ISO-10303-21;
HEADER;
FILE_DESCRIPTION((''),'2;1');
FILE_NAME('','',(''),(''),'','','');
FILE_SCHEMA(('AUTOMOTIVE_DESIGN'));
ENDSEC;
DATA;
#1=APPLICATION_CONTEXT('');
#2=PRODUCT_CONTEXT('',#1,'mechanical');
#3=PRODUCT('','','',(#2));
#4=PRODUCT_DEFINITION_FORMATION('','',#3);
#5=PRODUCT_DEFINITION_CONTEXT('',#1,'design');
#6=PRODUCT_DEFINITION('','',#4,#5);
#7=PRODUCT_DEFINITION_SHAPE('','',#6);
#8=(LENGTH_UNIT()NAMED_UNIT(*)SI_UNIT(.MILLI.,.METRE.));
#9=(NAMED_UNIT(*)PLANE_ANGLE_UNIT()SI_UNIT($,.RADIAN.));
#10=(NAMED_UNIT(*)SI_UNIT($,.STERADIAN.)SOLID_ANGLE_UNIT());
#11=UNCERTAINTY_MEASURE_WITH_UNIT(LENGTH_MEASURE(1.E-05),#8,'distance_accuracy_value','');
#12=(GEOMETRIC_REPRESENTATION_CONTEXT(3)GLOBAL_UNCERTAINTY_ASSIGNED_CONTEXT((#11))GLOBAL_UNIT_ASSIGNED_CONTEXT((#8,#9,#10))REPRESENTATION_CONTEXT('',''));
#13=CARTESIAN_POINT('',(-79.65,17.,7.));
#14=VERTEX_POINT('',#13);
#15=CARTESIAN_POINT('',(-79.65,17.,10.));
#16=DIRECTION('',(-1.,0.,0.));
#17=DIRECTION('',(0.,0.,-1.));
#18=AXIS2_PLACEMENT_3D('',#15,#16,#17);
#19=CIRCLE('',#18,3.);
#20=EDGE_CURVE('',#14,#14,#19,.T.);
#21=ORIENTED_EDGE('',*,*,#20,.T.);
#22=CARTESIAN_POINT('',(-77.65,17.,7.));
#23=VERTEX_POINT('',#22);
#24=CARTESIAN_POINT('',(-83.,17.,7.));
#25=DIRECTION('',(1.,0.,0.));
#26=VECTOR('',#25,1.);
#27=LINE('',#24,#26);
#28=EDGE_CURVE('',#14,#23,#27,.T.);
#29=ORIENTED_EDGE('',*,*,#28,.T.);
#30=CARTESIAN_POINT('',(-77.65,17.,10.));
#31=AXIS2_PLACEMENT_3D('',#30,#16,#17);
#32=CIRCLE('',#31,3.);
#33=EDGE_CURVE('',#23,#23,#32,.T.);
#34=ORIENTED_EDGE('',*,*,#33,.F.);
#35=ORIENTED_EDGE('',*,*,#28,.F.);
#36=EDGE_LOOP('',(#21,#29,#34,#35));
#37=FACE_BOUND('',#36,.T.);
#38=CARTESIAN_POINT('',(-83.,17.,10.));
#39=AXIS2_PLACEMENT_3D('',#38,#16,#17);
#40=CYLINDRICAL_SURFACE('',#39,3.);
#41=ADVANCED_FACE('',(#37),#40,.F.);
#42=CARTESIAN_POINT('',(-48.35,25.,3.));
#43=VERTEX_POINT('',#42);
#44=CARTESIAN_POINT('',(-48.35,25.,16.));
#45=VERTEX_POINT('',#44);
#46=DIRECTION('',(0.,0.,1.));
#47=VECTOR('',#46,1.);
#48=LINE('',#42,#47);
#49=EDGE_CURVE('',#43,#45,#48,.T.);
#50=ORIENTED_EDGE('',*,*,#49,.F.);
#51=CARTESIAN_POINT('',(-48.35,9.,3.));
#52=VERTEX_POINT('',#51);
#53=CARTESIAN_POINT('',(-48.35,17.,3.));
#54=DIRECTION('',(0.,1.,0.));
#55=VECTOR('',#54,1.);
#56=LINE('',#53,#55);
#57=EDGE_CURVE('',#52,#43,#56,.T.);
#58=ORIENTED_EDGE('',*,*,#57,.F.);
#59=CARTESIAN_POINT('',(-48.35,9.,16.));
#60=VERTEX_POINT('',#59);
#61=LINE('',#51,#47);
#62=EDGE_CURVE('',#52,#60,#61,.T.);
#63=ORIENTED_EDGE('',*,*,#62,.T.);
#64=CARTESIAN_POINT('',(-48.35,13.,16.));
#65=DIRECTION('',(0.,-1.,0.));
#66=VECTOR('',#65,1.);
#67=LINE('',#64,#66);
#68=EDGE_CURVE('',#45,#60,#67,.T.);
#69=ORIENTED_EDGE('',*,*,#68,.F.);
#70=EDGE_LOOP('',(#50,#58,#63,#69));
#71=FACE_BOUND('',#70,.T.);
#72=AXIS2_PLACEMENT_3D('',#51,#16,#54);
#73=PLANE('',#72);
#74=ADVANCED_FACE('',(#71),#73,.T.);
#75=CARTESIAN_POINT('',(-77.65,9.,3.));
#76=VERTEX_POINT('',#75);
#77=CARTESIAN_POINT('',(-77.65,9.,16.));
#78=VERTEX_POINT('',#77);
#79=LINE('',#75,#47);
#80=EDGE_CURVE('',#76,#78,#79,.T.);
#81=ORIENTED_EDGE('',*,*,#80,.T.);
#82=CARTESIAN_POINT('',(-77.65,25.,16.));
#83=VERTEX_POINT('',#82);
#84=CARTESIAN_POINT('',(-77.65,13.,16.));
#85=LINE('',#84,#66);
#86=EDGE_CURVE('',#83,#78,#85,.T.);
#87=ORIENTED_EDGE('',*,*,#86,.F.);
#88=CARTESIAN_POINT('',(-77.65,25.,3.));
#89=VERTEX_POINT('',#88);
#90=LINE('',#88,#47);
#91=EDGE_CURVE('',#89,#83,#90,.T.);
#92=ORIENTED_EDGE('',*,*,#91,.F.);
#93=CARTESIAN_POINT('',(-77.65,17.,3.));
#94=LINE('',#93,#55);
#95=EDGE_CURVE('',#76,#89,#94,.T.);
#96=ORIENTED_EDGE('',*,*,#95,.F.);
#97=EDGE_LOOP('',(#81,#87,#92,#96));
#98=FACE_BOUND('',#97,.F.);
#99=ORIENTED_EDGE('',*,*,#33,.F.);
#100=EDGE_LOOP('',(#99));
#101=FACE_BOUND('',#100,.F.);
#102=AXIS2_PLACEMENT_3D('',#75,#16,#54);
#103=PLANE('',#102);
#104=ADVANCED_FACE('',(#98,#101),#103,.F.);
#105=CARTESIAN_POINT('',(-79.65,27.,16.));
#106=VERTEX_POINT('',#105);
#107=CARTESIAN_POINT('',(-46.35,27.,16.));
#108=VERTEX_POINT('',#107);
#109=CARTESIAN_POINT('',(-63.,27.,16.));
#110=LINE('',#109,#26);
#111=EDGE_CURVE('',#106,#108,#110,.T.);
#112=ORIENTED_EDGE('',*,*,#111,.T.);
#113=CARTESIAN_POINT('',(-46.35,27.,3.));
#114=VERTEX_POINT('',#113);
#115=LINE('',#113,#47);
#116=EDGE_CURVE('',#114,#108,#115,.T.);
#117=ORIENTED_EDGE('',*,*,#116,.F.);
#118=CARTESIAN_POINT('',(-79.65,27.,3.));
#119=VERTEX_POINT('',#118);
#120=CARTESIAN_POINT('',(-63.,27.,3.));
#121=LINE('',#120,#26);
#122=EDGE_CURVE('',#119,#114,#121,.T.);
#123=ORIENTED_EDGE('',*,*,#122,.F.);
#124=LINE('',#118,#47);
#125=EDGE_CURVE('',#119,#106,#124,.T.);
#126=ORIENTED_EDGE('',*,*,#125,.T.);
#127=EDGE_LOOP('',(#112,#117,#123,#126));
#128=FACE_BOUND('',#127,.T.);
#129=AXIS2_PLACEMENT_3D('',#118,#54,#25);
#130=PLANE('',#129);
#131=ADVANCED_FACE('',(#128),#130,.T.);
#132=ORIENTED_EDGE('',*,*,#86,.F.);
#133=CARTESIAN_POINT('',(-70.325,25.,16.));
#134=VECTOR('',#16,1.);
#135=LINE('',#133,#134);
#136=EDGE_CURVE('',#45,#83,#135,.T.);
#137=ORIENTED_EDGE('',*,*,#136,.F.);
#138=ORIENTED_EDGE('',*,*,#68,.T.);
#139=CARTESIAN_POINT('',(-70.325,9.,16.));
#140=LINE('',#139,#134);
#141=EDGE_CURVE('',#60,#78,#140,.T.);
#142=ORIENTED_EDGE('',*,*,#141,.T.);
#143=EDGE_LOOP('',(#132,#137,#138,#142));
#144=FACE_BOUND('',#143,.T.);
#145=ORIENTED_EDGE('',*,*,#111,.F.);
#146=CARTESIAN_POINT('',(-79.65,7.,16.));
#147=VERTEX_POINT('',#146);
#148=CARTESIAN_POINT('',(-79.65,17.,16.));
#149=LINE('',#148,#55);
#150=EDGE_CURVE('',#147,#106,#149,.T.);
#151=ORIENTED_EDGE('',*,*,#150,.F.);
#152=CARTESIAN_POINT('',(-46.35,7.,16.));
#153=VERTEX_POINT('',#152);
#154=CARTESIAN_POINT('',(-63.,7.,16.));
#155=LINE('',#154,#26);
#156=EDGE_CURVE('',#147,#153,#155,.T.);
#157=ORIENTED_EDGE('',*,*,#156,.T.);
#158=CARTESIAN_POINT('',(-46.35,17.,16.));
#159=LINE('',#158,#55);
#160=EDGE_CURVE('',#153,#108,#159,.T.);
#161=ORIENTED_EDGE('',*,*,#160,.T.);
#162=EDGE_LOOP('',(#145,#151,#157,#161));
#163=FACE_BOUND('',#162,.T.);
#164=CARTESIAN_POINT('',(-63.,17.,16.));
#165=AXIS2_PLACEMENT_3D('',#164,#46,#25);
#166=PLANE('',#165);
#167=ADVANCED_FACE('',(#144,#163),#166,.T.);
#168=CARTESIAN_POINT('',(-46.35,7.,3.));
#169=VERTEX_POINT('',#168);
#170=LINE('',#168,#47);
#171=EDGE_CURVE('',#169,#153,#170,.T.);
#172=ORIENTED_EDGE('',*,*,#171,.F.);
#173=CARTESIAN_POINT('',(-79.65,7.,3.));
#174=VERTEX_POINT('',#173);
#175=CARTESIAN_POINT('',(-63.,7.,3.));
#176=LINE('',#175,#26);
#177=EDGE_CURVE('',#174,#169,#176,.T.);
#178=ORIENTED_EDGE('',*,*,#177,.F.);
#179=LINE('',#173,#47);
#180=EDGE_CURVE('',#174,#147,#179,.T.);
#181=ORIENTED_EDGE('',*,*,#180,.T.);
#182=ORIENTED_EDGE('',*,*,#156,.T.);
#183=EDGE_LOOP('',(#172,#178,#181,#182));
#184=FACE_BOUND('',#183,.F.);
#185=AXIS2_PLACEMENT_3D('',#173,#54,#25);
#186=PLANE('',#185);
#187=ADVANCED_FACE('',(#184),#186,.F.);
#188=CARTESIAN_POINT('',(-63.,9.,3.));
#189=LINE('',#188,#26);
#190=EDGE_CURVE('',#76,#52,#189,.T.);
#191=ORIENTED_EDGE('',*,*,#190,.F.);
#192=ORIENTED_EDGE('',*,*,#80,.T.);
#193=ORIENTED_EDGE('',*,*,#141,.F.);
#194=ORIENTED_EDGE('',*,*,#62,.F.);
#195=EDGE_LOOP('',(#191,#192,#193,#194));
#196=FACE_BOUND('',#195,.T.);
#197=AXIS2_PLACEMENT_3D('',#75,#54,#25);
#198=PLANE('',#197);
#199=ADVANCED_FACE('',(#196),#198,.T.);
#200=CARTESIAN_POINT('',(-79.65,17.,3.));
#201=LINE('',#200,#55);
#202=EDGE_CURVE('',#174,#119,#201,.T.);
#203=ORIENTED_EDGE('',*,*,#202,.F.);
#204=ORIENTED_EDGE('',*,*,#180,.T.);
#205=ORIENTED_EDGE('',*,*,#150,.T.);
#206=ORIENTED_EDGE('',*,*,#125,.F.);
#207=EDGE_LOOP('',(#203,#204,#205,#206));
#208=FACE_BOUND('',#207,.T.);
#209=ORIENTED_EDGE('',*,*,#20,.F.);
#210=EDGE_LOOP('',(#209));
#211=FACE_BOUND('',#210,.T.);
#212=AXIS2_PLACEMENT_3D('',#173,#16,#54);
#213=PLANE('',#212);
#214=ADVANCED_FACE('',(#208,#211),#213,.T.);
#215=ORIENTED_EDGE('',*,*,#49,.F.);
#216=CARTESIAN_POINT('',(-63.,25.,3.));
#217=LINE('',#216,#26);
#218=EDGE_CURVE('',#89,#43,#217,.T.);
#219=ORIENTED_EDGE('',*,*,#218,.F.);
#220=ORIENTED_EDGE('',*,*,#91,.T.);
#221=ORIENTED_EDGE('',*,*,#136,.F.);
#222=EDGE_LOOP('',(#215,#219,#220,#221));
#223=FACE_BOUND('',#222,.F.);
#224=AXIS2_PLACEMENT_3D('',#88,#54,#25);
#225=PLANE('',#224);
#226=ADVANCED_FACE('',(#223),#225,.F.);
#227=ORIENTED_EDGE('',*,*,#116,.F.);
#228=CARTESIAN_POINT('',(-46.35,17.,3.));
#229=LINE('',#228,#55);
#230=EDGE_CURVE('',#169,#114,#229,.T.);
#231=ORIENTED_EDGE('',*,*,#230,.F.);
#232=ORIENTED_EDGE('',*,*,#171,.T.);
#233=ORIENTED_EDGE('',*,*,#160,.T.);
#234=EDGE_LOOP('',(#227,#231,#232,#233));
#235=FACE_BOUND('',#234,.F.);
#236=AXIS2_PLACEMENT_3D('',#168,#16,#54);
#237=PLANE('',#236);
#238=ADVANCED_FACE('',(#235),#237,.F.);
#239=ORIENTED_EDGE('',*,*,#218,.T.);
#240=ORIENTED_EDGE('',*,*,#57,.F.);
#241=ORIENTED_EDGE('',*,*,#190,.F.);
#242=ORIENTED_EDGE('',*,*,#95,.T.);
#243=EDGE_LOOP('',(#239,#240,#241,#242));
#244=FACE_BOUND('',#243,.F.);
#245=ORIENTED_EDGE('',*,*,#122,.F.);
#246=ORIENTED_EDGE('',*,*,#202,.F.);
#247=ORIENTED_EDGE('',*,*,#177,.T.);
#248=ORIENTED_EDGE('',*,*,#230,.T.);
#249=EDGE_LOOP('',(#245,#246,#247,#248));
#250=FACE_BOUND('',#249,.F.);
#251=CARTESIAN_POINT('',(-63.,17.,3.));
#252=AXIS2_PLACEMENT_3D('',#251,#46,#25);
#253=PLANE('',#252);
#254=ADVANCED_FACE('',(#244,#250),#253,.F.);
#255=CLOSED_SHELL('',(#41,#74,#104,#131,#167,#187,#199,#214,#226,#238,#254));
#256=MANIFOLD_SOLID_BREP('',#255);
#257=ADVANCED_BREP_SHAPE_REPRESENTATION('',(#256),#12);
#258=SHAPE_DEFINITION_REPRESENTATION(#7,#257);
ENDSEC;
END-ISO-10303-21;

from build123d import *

# Parameters (mm, degrees)
CYLINDER_R     = 3
CYLINDER_DEPTH = 10
SKETCH009_W    = 29.3
SKETCH009_H    = 16
PAD010_DEPTH   = 16
SKETCH010_W    = 33.3
SKETCH010_H    = 20
PAD009_DEPTH   = 13


with BuildPart() as zylinder:
    # Cylinder → Cylinder (new body)
    with BuildSketch(Plane(origin=(-83, -21, 10), x_dir=(0, 0, -1), z_dir=(1, 0, 0))):
        Circle(CYLINDER_R)
    extrude(amount=CYLINDER_DEPTH)


with BuildPart() as body_innen:
    # Sketch009 → Pad010 (new body)
    with BuildSketch(Plane.XY):
        Rectangle(SKETCH009_W, SKETCH009_H)
    extrude(amount=PAD010_DEPTH)


with BuildPart() as cut006:
    # Sketch010 → Pad009 (new body)
    with BuildSketch(Plane.XY):
        Rectangle(SKETCH010_W, SKETCH010_H)
    extrude(amount=PAD009_DEPTH)

    # Cut005: cut Body innen
    add(body_innen.part, mode=Mode.SUBTRACT)


with BuildPart() as cut006_1:
    # Cut005 placement: moved
    add(cut006.part.moved(Location((-63, -21, 3))))

    # Cut006: cut Zylinder
    add(zylinder.part, mode=Mode.SUBTRACT)


with BuildPart() as cut006_2:
    # Cut006 placement: moved
    add(cut006_1.part.moved(Location((0, 38, 0))))


solid = cut006_2.part
